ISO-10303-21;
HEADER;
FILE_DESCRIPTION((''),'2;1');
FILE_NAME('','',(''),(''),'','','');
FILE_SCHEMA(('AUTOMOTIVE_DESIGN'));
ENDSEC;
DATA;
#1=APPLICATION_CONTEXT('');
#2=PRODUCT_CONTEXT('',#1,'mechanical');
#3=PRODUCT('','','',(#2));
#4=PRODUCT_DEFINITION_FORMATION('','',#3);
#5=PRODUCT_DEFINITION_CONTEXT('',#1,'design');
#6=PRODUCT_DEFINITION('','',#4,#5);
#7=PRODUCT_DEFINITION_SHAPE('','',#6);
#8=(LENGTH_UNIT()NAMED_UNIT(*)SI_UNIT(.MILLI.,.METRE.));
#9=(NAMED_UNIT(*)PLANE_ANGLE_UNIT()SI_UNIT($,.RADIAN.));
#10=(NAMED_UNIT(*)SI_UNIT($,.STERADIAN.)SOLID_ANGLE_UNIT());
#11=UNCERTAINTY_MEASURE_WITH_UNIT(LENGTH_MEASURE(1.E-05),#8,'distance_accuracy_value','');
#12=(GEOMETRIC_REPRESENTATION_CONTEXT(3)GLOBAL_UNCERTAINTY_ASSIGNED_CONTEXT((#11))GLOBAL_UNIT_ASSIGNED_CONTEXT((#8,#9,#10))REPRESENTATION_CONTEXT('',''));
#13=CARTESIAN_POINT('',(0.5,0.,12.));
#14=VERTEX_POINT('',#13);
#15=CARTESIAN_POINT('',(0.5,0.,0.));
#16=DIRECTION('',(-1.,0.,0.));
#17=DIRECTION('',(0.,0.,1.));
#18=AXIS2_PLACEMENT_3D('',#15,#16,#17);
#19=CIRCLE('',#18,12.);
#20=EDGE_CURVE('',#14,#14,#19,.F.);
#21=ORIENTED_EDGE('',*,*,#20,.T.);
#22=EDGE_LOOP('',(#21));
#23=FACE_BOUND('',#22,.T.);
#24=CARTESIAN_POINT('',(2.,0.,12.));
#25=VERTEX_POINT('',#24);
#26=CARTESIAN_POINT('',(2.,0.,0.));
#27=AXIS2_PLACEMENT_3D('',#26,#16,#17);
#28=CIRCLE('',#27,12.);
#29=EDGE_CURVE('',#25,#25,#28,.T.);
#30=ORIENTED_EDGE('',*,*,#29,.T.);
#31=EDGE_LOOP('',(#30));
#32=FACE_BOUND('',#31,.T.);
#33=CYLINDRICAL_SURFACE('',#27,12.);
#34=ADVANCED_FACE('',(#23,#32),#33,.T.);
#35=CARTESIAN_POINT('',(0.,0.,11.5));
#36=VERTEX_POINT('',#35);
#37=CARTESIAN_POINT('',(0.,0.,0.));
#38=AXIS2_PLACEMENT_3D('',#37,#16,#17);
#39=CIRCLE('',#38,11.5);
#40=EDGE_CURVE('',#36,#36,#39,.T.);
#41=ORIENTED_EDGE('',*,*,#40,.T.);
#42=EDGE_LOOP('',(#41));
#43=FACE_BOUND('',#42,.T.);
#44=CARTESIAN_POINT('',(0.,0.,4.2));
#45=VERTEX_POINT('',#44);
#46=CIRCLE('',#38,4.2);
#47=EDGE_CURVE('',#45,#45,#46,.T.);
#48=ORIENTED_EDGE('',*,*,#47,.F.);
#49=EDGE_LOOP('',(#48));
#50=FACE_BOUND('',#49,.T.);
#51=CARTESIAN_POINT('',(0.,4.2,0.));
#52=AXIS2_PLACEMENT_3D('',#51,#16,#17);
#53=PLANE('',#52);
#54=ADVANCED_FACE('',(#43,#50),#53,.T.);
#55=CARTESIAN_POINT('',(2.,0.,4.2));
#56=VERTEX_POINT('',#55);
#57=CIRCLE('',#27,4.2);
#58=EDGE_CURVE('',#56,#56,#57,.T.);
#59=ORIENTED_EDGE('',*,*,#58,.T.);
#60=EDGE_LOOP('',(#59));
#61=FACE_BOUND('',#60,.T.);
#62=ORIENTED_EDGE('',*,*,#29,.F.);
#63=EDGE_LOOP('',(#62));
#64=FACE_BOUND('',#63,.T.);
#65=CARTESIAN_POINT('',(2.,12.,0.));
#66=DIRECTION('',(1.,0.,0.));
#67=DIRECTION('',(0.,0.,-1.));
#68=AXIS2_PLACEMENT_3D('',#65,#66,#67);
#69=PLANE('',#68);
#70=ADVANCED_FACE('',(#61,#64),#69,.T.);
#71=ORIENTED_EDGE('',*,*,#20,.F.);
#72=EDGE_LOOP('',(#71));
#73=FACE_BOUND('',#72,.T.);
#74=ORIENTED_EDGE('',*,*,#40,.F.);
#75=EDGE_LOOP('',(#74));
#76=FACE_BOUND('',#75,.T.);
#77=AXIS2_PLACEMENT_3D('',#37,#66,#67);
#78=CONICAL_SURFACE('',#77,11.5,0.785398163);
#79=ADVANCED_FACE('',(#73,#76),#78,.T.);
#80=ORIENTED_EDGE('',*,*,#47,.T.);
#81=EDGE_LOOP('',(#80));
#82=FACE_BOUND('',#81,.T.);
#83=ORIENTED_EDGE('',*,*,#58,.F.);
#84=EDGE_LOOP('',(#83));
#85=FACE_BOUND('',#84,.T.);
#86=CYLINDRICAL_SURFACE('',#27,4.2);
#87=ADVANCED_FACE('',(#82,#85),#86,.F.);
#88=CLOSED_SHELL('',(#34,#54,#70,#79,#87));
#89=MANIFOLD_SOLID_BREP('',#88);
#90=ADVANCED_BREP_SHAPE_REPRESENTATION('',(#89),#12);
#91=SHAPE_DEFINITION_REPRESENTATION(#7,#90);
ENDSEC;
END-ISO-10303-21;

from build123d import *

# Parameters (mm, degrees)
CROQUIS1_W    = 2
CROQUIS1_H    = 7.8
CHAFL_N1_SIZE = 0.5


with BuildPart() as part:
    # Croquis1 → Revolución1 (revolve)
    with BuildSketch(Plane(origin=(0, 0, 0), x_dir=(-1, 0, 0), z_dir=(0, 0, -1))):
        with Locations((-1, 8.1)):
            Rectangle(CROQUIS1_W, CROQUIS1_H)
    revolve(axis=Axis((2, 0, 0), (-1, 0, 0)))

    # Chaflán1
    chafl_n1_edges = [part.edges().sort_by_distance(p)[0] for p in [
        (0, -12, 0),
    ]]
    chamfer(chafl_n1_edges, length=CHAFL_N1_SIZE)


solid = part.part
